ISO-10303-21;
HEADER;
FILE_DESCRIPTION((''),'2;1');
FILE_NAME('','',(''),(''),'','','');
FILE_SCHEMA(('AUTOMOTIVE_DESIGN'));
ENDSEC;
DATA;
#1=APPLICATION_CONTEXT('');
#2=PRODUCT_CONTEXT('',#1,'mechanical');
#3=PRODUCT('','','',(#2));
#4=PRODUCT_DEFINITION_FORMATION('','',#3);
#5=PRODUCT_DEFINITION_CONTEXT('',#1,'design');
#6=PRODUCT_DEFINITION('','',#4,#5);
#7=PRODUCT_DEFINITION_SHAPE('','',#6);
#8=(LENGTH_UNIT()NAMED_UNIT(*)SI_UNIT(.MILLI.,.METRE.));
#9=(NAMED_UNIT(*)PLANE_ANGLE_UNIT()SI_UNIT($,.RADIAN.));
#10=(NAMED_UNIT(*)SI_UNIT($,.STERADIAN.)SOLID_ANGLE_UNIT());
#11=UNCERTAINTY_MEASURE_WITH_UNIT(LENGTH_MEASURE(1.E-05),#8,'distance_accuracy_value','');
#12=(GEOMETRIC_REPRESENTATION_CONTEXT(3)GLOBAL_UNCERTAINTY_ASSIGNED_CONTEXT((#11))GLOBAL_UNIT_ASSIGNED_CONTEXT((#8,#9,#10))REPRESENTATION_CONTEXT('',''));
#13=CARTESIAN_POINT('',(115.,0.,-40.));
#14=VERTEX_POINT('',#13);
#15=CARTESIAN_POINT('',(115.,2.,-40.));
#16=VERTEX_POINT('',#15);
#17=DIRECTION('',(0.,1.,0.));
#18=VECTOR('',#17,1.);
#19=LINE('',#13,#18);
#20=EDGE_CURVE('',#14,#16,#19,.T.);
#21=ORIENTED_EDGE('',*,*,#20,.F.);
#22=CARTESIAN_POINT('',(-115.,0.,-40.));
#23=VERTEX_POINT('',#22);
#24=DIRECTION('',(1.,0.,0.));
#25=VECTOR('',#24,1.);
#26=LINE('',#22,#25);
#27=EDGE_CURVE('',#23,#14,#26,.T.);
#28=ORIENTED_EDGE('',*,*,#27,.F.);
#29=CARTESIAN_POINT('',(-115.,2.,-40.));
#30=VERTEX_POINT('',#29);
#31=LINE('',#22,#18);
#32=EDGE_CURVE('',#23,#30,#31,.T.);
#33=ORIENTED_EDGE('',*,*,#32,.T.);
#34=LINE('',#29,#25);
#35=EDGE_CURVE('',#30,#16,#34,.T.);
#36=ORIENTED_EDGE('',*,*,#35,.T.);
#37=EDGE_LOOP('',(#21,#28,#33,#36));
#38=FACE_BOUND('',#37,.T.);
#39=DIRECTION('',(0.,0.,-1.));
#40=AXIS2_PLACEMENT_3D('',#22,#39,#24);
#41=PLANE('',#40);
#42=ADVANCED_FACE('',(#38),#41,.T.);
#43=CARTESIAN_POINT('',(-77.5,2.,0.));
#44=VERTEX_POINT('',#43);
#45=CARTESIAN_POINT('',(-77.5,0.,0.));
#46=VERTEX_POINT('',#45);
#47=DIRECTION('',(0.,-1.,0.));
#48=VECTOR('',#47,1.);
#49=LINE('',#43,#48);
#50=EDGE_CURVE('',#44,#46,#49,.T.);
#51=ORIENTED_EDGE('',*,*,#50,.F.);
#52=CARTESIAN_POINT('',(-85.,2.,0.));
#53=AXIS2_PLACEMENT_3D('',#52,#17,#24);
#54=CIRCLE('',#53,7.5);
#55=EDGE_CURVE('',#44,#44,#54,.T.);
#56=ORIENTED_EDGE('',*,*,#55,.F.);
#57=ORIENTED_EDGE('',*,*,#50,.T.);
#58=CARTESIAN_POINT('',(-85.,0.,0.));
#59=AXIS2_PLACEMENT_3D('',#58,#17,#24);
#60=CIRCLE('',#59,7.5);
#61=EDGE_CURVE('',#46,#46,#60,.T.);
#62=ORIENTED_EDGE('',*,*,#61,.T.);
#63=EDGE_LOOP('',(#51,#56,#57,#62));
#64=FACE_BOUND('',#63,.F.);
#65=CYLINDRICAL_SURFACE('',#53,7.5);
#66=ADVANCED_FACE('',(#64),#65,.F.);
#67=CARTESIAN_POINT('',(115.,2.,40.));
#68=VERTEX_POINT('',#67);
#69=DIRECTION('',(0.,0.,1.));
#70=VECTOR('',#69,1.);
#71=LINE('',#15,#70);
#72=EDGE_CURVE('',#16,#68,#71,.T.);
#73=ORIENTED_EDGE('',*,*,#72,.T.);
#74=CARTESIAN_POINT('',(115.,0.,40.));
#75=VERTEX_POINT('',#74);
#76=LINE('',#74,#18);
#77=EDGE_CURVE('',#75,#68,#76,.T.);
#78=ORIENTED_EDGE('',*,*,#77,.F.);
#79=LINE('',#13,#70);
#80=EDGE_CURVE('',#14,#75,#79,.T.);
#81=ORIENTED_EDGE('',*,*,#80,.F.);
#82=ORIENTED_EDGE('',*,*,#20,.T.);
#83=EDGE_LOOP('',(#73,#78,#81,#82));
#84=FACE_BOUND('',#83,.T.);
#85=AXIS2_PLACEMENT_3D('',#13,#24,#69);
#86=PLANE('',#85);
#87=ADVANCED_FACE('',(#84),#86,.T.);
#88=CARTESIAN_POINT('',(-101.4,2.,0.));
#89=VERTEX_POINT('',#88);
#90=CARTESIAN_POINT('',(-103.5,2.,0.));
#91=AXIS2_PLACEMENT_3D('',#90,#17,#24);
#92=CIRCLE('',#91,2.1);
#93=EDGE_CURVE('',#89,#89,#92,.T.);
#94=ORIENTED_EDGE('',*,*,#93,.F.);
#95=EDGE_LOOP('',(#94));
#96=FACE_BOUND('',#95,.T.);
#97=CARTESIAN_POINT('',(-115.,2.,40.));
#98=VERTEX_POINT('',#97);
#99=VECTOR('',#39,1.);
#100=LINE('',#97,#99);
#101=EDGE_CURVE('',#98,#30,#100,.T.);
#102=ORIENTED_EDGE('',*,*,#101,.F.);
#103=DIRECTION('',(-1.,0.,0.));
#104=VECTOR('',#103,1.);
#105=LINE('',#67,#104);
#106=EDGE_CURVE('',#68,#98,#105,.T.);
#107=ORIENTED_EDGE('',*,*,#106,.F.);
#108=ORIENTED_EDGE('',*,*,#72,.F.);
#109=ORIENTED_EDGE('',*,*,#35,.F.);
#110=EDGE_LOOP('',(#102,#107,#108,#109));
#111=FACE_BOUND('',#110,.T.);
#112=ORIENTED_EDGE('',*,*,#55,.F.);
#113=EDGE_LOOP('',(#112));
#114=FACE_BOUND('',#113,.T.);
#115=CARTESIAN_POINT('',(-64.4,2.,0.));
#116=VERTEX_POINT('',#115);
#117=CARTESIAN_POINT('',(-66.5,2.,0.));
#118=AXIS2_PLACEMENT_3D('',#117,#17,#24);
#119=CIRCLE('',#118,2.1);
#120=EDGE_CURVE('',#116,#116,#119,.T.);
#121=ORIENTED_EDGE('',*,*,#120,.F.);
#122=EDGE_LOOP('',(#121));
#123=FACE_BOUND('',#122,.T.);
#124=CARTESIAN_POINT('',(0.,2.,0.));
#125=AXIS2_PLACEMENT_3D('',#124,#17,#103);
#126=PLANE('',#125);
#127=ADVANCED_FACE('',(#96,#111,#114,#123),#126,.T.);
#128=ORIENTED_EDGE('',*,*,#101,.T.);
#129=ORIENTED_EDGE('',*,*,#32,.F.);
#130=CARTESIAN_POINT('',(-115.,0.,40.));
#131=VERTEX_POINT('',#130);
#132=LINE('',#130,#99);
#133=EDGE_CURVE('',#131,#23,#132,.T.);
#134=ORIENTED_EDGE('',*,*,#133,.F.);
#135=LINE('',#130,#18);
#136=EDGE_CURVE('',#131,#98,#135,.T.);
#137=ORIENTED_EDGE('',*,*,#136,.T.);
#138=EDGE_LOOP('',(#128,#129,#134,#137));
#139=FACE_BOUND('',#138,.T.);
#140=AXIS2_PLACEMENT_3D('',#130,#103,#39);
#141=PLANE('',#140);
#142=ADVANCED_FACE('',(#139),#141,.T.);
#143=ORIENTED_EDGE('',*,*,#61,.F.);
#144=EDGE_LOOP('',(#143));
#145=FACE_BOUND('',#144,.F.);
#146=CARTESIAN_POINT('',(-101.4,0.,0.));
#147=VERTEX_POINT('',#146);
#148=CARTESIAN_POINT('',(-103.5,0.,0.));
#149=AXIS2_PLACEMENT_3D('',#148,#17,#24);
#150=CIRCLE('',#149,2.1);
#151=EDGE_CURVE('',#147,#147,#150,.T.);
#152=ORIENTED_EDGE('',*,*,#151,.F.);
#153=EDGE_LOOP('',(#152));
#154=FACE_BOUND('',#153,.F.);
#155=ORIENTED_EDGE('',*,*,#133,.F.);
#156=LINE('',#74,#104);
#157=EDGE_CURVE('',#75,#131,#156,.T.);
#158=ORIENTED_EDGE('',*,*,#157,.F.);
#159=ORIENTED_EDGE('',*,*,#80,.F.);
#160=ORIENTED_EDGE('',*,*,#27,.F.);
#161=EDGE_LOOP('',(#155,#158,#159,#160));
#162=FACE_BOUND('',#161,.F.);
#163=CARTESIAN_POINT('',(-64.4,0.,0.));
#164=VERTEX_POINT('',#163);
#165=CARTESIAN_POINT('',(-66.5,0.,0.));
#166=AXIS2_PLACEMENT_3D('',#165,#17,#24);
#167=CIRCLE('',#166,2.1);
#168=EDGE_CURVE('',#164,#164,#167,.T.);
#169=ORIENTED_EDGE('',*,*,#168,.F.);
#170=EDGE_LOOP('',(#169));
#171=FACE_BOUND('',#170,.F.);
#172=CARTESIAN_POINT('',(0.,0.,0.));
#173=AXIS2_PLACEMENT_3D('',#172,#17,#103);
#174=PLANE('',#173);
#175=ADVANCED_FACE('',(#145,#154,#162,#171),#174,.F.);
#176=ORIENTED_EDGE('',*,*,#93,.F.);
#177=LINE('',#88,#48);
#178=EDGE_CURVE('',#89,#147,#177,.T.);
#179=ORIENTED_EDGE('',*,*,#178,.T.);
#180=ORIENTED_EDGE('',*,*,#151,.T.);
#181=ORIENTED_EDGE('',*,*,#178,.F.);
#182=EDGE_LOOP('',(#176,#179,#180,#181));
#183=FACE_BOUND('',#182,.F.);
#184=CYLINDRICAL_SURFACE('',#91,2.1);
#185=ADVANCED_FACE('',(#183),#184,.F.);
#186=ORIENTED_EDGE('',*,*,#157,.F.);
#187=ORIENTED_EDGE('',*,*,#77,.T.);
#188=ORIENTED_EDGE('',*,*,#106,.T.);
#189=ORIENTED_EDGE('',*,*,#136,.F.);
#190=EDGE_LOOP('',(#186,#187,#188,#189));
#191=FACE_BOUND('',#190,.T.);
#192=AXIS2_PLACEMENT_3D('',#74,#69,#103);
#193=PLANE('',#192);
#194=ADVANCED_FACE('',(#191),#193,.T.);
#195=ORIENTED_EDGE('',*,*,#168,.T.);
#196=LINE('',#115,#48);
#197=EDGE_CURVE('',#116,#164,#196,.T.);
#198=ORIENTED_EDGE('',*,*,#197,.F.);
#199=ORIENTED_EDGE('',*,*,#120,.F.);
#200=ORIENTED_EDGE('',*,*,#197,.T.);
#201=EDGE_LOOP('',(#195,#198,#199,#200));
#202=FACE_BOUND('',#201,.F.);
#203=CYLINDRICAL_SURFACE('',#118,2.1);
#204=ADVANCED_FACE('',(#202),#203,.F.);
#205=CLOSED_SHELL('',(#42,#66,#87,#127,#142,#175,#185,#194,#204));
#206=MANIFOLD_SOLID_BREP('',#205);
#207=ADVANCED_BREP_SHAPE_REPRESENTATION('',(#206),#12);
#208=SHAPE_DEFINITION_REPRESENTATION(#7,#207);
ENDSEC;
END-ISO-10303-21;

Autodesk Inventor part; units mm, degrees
ref_plane "YZ Plane" through (0, 0, 0) normal (1, 0, 0) x (0, 1, 0)
ref_plane "XZ Plane" through (0, 0, 0) normal (0, 1, 0) x (-1, 0, 0)
ref_plane "XY Plane" through (0, 0, 0) normal (0, 0, 1) x (1, 0, 0)
sketch "スケッチ1" plane through (0, 0, 0) normal (0, 1, 0) x (-1, 0, 0)
  line L0 (-115, 40) -> (115, 40)
  line L1 (115, 40) -> (115, -40)
  line L2 (115, -40) -> (-115, -40)
  line L3 (-115, -40) -> (-115, 40)
  line L4 (-115, 40) -> (115, -40) construction
  line L5 (115, 40) -> (-115, -40) construction
  point P0 (0, 0)
  dimension "d0" = 230
  dimension "d1" = 80
extrude "押し出し1" add sketch "スケッチ1" along normal blind 2
sketch "スケッチ2" plane through (0, 2, 0) normal (0, 1, 0) x (1, 0, 0)
  circle A0 centre (-85, 0) radius 7.5
  circle A1 centre (-103.5, 0) radius 2.1
  circle A2 centre (-66.5, 0) radius 2.1
  point P0 (0, 0)
  dimension "d4" = 15
  dimension "d5" = 85
  dimension "d6" = 4.2
  dimension "d7" = 4.2
  dimension "d8" = 37
  dimension "d9" = 18.5
extrude "押し出し2" cut sketch "スケッチ2" against normal blind 8
properties part number "snap2" material "アルミニウム 6061"
